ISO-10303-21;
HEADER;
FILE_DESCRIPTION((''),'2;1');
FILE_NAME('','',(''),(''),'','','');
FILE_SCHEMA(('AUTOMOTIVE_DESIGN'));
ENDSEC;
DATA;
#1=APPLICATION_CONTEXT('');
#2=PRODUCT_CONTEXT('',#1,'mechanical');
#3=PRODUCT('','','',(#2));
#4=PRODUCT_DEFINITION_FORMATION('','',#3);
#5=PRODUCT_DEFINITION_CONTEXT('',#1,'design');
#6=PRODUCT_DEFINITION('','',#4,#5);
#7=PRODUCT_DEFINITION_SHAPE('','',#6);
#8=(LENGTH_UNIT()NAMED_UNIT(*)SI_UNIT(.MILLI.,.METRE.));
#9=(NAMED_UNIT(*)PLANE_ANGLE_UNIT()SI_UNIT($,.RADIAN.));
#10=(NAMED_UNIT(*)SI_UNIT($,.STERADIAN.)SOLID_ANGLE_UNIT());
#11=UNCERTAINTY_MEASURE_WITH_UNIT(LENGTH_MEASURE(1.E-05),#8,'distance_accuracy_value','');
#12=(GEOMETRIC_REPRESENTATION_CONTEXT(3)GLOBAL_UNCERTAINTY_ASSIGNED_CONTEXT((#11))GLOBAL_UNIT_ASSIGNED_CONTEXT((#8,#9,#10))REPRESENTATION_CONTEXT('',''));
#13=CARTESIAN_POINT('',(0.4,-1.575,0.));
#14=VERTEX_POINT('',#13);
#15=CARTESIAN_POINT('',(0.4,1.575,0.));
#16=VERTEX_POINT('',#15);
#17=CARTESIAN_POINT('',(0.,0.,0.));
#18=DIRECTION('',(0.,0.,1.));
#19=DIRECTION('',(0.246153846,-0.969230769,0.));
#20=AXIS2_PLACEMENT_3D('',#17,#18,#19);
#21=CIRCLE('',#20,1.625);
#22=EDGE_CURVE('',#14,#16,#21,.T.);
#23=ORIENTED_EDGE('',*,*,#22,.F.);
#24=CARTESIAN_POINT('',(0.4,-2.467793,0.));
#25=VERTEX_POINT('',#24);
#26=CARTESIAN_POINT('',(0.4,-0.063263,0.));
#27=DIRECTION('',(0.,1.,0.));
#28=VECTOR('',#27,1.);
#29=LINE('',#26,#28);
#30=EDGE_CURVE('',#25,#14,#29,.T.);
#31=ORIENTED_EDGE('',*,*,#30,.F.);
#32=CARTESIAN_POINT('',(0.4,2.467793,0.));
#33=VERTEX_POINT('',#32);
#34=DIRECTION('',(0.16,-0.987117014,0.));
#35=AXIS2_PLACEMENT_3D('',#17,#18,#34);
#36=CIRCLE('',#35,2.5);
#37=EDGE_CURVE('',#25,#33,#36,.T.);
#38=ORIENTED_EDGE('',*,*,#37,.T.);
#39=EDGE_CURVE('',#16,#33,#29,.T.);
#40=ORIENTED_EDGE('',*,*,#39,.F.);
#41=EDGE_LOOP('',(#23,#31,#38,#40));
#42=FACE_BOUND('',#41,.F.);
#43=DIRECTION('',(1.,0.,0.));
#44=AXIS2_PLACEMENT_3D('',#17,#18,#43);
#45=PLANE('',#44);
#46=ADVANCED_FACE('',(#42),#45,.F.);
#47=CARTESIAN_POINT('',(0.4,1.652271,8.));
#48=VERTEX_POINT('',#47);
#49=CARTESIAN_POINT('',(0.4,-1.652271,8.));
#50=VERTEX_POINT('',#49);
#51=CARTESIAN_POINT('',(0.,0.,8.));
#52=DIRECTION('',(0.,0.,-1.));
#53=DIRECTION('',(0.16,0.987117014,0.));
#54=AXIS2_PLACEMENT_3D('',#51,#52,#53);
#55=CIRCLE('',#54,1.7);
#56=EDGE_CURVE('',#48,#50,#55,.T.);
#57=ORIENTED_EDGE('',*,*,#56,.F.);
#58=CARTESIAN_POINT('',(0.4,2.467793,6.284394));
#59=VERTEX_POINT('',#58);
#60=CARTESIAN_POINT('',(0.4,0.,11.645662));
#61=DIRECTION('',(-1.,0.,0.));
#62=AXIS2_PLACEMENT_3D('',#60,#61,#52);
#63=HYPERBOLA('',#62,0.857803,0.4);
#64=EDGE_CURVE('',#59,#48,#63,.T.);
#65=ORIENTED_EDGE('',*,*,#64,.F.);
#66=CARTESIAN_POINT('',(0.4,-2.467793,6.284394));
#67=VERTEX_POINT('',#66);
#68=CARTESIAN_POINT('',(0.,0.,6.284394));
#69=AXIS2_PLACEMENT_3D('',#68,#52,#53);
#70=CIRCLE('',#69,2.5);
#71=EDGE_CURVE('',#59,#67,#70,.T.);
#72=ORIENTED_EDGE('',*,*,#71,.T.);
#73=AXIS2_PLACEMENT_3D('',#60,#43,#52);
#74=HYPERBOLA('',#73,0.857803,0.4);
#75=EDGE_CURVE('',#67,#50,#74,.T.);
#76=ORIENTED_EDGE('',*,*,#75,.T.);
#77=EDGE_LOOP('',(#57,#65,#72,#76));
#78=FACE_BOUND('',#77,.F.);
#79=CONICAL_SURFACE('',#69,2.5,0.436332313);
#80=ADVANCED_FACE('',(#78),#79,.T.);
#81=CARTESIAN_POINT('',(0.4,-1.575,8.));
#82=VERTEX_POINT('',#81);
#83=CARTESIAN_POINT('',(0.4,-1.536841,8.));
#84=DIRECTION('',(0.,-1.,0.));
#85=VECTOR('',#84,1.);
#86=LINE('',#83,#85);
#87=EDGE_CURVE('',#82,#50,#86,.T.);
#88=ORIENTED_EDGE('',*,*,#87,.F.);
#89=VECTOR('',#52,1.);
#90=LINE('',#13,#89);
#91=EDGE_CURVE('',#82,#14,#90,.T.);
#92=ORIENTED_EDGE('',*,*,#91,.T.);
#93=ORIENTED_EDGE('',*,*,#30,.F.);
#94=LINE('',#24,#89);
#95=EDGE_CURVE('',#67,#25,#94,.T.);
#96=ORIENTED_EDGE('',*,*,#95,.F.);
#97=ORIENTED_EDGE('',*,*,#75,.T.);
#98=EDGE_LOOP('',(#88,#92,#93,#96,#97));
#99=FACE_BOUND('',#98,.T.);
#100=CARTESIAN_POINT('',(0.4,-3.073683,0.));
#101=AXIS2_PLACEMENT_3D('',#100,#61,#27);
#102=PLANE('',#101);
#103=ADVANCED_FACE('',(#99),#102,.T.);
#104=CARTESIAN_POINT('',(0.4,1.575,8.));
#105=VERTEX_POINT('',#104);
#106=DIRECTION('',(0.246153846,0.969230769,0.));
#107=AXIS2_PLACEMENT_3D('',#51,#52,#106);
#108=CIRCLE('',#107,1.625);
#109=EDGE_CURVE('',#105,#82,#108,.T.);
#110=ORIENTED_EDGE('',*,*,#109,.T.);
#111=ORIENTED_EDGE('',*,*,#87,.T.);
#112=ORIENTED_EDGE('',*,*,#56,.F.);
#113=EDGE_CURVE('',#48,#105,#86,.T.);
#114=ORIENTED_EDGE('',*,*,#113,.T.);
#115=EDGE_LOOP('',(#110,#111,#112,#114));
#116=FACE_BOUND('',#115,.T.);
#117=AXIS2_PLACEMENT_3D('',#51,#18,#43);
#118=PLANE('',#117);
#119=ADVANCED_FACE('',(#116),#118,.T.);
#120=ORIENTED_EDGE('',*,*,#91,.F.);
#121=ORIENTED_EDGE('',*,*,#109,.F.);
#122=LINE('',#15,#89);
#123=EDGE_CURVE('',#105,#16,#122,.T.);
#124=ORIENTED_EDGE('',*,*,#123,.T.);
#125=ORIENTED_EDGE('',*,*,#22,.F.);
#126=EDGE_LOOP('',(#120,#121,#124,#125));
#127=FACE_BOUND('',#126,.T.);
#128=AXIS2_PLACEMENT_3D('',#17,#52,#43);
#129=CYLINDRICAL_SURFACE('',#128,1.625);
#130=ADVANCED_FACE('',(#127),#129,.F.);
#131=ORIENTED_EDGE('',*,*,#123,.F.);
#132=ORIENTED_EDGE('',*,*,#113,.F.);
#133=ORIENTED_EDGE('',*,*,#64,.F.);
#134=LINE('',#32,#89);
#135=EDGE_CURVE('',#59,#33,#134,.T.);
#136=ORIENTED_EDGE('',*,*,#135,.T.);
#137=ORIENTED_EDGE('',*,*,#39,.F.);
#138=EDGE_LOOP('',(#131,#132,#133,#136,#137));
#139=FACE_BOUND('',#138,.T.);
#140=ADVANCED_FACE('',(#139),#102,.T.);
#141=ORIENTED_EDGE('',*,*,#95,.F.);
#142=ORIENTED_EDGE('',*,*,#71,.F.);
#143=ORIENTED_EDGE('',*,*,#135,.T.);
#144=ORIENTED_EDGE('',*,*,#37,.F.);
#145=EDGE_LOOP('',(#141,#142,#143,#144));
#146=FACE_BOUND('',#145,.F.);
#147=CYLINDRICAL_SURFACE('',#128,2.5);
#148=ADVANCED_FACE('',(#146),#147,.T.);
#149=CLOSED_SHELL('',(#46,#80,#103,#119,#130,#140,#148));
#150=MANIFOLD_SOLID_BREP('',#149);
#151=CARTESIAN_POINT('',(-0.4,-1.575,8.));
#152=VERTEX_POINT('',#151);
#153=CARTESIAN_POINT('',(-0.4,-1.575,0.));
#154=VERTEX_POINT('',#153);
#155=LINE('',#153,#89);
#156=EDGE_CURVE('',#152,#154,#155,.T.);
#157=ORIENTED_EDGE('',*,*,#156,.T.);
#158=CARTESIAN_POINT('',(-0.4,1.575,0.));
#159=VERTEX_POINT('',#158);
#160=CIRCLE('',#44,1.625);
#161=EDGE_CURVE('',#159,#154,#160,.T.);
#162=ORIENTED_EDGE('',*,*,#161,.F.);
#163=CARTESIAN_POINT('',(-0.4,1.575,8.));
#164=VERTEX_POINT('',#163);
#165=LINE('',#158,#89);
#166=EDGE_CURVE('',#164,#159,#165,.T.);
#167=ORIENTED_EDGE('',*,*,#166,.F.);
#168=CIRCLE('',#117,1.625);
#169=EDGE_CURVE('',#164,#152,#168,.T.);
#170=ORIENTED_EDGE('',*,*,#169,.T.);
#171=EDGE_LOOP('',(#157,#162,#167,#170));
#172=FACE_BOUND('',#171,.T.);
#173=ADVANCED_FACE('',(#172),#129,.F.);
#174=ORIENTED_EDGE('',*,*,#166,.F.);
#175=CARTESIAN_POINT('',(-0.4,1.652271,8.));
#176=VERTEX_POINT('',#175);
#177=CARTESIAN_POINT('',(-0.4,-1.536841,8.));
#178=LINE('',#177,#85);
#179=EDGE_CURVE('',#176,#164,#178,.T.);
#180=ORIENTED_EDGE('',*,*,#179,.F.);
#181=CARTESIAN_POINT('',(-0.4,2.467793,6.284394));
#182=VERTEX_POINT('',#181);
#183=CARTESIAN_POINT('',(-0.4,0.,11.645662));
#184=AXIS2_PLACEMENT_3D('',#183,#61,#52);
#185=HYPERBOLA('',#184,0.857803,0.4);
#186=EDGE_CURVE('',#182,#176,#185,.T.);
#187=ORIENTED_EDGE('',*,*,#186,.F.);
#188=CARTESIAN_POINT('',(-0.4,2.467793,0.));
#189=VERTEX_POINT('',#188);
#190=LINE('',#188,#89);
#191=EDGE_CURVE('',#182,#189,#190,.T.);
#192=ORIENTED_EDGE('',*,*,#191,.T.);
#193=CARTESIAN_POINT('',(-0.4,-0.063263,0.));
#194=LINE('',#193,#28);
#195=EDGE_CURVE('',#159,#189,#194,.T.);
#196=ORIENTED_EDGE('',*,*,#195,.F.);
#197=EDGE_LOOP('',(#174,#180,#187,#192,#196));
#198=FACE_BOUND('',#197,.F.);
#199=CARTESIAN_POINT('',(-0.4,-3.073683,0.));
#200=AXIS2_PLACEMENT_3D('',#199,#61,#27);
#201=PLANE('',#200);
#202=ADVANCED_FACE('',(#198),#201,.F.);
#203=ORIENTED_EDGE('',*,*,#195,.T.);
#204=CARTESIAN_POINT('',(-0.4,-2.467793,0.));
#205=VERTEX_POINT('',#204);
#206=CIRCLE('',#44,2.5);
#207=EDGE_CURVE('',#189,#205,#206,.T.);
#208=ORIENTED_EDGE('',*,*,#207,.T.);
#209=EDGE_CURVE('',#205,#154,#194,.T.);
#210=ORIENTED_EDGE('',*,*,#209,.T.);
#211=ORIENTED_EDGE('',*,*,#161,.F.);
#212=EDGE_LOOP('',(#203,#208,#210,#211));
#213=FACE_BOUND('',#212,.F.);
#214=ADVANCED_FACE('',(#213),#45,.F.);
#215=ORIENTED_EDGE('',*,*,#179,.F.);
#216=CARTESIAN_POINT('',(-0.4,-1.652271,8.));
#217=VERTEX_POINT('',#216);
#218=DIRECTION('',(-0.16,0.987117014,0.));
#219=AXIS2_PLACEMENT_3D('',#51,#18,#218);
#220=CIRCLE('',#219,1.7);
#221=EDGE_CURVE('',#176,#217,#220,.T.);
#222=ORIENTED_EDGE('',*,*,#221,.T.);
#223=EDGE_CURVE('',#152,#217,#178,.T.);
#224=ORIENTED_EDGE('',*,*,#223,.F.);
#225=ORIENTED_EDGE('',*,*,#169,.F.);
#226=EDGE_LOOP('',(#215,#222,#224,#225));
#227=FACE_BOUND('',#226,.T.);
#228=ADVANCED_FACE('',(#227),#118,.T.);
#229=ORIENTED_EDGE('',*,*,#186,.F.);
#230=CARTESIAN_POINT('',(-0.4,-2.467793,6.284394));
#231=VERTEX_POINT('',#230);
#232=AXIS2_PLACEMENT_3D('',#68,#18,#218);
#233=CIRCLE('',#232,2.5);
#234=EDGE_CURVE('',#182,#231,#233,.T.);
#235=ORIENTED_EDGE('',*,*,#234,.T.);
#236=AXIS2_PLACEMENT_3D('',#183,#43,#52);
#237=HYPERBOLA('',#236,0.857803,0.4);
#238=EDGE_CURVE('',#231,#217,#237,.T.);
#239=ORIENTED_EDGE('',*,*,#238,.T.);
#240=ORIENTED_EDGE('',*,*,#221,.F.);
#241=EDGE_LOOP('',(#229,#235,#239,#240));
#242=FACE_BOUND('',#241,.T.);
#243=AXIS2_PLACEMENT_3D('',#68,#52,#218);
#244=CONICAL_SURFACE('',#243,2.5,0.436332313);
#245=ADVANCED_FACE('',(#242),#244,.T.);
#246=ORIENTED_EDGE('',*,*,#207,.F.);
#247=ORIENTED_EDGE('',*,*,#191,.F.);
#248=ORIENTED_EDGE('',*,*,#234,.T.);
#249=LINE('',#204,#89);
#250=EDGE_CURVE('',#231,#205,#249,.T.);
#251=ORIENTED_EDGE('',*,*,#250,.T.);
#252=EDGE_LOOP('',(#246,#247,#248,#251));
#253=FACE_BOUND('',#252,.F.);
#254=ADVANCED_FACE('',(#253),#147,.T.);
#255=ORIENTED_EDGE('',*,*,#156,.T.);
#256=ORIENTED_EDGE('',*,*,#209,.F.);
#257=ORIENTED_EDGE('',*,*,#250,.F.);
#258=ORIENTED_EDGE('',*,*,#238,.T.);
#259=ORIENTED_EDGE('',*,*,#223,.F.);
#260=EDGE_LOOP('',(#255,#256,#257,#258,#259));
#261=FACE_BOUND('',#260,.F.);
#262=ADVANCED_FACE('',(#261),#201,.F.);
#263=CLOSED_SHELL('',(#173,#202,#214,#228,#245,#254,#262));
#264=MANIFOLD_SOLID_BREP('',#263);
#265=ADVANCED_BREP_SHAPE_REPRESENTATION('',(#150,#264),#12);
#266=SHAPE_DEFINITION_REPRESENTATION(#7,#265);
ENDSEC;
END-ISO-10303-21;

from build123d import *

# Parameters (mm, degrees)
F0_R       = 2.5
F0_R_2     = 1.625
F1_DEPTH   = 8
F2_W       = 0.8
F2_H       = 6.0208404261
F3_DEPTH   = 25
F4_SIZE2   = 0.8
F4_SIZE    = 1.7156055364
F4_2_SIZE2 = 0.8
F4_2_SIZE  = 1.7156055364


with BuildPart() as f1:
    # F0 (on Top) → F1 (new body)
    with BuildSketch(Plane.XY):
        Circle(F0_R)
        Circle(F0_R_2, mode=Mode.SUBTRACT)
    extrude(amount=F1_DEPTH)

    # F2 (on Top) → F3 (cut)
    with BuildSketch(Plane.XY):
        with Locations((0, -0.0632625306)):
            Rectangle(F2_W, F2_H)
    extrude(amount=F3_DEPTH, mode=Mode.SUBTRACT)

    # F4
    f4_edges = [f1.edges().sort_by_distance(p)[0] for p in [
        (2.5, 0, 8),
    ]]
    f4_side = f1.faces().sort_by_distance((2.5, 0, 4))[0]
    chamfer(f4_edges, length=F4_SIZE, length2=F4_SIZE2, reference=f4_side)

    # F4#2
    f4_2_edges = [f1.edges().sort_by_distance(p)[0] for p in [
        (-2.5, 0, 8),
    ]]
    f4_2_side = f1.faces().sort_by_distance((-2.5, 0, 4))[0]
    chamfer(f4_2_edges, length=F4_2_SIZE, length2=F4_2_SIZE2, reference=f4_2_side)


solid = f1.part
